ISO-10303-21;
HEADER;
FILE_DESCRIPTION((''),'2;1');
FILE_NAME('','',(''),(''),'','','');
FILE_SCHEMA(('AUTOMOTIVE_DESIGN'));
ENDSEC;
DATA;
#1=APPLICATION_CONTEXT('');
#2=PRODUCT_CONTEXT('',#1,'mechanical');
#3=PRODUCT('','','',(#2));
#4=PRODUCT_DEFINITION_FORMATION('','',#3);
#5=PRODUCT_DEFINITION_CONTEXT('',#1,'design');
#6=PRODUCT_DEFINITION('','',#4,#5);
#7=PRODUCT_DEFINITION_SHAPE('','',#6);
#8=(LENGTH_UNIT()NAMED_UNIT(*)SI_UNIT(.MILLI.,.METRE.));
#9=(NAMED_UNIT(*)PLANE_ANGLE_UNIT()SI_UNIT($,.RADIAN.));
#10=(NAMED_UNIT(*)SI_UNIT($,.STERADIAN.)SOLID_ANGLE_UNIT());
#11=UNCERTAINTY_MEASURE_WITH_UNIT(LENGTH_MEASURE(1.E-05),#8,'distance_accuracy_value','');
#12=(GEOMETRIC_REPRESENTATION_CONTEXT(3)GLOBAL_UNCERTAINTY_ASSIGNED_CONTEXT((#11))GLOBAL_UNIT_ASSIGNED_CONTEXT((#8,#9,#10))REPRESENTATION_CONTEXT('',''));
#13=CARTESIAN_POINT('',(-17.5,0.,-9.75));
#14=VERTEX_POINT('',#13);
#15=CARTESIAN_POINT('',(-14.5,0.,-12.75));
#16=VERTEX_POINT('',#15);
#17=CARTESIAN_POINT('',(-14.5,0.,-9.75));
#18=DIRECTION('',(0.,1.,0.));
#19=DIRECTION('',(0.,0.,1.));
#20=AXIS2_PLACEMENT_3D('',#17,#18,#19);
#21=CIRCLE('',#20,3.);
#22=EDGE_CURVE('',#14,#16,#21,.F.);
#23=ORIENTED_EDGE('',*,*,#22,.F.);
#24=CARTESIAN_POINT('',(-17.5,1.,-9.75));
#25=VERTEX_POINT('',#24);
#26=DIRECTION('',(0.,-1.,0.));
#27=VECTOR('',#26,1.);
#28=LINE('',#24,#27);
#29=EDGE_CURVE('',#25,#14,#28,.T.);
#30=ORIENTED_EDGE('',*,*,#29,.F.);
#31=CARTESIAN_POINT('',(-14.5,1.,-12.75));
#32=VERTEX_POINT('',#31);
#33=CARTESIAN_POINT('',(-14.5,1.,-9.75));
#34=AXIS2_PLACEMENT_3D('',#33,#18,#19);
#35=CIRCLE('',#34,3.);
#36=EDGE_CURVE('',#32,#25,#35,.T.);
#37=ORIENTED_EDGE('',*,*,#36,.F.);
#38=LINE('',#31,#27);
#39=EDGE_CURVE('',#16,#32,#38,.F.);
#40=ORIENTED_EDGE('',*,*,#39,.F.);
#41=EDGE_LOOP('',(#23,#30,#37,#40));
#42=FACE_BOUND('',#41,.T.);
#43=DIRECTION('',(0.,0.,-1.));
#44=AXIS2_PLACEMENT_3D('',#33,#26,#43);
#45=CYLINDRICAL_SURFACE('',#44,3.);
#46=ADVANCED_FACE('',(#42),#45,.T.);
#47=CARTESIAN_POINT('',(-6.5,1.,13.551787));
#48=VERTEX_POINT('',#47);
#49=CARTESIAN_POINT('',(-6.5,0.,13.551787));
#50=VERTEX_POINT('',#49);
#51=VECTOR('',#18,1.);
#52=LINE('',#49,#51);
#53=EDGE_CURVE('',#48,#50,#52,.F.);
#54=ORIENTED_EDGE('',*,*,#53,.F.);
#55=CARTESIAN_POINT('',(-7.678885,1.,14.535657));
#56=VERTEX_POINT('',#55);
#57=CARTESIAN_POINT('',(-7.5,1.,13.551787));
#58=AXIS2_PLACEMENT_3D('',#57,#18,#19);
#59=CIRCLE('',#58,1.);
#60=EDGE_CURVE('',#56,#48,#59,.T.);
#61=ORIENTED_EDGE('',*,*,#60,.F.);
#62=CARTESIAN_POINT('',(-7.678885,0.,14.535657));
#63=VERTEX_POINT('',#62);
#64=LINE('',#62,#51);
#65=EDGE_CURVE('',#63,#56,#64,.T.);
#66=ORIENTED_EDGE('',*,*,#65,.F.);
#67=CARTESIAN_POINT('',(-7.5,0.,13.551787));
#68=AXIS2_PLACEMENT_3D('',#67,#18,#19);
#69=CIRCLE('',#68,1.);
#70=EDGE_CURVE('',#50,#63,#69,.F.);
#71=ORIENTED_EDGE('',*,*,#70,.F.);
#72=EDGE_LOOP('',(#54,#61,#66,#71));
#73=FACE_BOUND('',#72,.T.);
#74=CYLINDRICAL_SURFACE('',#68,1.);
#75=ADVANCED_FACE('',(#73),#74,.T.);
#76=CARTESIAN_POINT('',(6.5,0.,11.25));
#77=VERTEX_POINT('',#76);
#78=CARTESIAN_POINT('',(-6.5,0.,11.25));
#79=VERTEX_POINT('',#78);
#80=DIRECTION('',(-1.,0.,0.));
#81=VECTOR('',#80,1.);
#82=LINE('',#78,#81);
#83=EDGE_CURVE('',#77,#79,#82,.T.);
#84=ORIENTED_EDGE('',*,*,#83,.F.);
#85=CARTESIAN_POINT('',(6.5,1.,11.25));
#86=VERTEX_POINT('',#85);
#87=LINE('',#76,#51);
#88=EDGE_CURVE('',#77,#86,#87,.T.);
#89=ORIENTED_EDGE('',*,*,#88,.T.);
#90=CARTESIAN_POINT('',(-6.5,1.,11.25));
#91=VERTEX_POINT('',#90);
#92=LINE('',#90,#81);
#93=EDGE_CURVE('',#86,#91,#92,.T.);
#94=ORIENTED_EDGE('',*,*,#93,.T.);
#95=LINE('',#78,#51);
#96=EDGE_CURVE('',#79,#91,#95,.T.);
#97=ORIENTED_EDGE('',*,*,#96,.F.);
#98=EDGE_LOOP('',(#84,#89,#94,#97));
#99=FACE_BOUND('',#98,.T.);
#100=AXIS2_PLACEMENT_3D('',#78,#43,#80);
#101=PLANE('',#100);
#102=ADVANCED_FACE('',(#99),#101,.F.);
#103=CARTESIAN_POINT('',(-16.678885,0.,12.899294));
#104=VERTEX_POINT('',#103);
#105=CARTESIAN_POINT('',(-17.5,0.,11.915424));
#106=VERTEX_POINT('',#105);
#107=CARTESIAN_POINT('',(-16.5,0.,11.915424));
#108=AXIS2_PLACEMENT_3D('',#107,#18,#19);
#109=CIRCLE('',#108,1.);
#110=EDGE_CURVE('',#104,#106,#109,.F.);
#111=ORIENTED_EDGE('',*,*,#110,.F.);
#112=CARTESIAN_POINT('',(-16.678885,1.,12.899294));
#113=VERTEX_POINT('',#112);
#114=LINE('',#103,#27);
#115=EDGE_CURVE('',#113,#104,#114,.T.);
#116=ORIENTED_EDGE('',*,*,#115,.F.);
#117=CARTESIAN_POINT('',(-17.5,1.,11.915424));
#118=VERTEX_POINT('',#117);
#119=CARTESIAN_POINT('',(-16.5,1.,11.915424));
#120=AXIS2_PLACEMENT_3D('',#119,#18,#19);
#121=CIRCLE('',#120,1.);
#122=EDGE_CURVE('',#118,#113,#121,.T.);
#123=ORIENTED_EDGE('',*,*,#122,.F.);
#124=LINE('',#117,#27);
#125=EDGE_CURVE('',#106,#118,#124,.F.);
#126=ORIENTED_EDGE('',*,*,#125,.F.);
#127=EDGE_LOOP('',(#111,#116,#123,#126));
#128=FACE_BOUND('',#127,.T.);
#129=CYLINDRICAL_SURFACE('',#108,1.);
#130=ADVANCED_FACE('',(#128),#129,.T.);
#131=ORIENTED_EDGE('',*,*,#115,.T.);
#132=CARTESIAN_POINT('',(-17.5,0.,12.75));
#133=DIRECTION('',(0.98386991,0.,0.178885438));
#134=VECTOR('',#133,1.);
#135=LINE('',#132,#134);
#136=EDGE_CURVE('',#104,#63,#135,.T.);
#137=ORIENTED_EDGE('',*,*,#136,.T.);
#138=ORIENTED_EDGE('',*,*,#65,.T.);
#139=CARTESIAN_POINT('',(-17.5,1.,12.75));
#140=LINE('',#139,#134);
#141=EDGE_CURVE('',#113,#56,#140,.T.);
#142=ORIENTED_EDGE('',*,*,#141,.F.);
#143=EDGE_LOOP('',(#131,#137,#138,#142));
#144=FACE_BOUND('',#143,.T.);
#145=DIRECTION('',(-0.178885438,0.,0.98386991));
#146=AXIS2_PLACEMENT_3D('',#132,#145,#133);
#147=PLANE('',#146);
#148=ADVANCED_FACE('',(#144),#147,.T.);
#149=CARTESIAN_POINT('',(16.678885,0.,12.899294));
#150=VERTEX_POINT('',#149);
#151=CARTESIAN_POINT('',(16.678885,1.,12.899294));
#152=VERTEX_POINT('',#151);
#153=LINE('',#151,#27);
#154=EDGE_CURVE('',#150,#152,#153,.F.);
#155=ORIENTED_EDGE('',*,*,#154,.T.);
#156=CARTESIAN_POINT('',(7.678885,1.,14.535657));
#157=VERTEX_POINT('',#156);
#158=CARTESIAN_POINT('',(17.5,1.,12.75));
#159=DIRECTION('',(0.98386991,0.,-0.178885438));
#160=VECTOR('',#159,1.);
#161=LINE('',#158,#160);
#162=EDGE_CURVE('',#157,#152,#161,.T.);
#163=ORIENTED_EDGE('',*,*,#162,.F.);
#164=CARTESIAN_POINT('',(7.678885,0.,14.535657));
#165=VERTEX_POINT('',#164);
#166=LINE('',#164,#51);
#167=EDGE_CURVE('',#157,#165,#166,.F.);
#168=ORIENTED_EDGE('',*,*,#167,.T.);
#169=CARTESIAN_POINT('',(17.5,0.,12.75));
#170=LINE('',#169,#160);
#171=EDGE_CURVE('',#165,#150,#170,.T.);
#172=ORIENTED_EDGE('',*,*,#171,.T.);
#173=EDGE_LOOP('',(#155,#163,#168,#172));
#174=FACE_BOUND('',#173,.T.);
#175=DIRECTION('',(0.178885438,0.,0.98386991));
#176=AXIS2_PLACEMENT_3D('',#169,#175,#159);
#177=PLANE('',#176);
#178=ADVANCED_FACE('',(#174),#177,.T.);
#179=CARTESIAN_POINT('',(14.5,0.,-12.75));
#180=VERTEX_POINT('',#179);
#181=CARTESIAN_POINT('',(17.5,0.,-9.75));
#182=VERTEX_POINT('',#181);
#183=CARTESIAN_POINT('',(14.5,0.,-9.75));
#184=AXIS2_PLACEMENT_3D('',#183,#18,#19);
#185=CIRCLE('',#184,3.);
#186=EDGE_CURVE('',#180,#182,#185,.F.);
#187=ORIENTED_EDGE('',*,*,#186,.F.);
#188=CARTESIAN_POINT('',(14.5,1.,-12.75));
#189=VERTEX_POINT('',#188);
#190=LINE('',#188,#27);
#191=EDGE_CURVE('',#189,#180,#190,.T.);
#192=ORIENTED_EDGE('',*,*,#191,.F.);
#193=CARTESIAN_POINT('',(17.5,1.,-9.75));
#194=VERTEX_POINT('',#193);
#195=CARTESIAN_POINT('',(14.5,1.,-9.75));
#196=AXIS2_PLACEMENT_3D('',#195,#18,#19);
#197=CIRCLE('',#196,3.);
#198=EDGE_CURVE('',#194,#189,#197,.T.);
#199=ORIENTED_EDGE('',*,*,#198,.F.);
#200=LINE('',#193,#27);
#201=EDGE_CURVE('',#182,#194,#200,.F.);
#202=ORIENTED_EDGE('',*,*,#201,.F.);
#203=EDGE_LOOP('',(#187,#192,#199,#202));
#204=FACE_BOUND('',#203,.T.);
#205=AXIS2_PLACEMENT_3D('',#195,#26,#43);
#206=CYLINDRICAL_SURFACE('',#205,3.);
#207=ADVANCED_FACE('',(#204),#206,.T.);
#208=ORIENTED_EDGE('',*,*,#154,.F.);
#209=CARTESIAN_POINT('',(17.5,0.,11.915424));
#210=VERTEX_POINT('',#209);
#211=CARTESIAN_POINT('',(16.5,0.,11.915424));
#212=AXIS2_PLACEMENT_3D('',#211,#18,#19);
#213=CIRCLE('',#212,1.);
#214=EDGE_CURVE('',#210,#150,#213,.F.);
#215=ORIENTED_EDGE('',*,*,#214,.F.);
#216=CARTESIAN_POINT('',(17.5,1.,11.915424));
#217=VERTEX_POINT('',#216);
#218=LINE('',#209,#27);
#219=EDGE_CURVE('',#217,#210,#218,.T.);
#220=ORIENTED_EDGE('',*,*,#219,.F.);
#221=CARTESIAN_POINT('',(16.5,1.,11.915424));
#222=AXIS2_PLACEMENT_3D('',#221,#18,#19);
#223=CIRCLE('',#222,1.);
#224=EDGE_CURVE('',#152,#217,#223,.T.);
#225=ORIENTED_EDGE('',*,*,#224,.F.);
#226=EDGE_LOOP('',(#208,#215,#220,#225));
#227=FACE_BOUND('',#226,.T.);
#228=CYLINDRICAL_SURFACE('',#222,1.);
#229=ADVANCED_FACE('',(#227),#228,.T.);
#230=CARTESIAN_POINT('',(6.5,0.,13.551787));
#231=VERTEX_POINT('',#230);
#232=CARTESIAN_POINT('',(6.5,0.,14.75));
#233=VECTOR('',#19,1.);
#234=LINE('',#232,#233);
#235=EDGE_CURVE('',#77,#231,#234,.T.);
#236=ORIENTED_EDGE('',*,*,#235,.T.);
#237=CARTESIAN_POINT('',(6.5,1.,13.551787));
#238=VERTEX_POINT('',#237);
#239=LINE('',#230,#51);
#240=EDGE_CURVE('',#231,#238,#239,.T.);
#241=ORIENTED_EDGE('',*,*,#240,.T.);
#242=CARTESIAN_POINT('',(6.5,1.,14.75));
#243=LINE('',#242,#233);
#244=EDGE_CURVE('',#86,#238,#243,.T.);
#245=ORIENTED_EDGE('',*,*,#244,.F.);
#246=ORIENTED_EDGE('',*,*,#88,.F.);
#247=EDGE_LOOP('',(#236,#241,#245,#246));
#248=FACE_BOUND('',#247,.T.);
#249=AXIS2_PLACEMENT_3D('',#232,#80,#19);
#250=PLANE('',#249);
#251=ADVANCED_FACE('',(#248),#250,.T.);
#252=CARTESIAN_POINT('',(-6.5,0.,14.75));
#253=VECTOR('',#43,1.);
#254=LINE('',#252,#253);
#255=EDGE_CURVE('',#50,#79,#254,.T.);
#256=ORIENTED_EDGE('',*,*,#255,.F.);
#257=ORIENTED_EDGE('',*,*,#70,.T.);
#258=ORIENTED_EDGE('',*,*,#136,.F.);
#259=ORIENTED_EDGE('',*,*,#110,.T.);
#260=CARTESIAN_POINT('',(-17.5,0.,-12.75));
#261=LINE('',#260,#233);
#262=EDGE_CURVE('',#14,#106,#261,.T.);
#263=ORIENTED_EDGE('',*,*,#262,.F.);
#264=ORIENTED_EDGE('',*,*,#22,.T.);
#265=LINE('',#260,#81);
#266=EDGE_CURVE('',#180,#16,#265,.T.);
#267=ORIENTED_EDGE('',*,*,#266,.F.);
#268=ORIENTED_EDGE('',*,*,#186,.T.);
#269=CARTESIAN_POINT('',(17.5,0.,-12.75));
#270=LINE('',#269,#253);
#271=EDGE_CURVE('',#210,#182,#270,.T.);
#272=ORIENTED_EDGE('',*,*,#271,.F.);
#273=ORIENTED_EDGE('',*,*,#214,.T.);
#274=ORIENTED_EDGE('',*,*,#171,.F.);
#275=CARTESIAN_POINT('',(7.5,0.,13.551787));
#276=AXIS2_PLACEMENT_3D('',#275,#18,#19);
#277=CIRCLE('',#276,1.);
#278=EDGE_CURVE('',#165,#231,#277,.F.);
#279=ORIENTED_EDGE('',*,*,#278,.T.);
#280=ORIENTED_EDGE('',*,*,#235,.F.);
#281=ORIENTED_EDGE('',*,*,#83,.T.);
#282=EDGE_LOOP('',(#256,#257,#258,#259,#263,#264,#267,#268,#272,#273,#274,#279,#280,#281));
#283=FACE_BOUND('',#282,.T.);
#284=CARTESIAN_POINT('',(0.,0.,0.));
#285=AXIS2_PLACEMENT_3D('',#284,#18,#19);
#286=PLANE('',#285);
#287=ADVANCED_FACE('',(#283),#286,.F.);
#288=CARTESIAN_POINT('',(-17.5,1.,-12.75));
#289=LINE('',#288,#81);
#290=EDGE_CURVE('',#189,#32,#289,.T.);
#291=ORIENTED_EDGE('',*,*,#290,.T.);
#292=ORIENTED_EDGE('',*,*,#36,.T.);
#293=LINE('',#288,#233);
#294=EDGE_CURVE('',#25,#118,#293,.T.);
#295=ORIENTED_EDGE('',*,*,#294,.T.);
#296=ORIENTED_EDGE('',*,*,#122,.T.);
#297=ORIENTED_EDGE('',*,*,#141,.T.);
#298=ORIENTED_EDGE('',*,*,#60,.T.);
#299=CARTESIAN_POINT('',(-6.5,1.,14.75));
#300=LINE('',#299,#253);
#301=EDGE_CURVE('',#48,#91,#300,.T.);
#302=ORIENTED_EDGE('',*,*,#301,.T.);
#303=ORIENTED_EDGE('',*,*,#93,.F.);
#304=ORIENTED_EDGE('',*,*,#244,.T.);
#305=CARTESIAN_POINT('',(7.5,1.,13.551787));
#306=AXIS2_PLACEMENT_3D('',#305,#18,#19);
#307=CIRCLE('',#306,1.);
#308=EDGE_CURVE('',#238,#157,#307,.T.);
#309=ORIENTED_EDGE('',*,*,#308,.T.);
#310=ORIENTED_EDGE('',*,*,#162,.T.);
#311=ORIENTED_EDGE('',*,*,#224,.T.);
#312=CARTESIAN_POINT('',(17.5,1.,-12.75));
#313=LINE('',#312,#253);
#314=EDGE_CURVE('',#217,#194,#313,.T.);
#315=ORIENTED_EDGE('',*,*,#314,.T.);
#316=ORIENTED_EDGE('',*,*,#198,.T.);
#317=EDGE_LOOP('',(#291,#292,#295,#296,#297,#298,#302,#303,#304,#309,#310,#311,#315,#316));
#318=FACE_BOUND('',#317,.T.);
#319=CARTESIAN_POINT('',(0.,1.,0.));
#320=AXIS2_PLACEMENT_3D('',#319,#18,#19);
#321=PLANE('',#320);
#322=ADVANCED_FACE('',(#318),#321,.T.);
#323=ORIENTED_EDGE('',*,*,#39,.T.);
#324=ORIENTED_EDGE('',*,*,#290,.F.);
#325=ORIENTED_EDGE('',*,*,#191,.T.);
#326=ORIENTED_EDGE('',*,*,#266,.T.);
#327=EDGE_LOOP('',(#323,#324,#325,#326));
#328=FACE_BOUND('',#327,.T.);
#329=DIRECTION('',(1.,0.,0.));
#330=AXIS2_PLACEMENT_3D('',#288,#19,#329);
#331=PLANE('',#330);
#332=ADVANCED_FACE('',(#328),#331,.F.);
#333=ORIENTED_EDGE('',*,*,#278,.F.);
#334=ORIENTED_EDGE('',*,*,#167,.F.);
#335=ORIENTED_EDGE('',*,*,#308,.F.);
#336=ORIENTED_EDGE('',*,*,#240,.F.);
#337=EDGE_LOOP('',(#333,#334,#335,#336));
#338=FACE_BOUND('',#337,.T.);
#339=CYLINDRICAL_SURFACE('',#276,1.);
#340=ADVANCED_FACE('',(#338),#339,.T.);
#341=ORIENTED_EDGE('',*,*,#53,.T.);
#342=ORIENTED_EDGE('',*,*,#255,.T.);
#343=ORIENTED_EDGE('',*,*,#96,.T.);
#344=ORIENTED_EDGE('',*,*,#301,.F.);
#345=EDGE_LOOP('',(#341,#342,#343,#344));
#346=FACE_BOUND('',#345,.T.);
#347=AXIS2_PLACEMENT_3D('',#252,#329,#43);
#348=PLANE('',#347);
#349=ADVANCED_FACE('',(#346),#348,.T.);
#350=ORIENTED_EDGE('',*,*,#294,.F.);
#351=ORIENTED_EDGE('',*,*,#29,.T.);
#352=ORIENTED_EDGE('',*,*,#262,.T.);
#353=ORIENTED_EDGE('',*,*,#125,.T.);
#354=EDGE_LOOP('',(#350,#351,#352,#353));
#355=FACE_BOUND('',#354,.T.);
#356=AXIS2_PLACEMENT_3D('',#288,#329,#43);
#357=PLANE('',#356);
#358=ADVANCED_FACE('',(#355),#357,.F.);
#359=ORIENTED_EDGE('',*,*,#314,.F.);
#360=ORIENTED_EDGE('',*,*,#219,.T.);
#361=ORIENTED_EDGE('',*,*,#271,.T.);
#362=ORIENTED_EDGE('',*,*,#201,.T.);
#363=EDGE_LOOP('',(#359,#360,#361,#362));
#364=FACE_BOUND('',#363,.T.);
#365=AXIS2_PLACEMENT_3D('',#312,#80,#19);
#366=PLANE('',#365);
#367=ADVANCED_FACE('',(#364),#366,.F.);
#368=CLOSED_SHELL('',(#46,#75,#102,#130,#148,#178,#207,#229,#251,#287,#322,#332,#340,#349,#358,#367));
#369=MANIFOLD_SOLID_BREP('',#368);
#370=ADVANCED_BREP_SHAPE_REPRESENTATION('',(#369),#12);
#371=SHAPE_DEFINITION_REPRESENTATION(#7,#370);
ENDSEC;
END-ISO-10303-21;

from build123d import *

# Parameters (mm, degrees)
SKETCH_1_W          = 35
SKETCH_1_H          = 25.5
EXTRUDE_1_DEPTH     = 1
EXTRUDE_2_DEPTH     = 1
SKETCH_3_W          = 13
SKETCH_3_H          = 1.5
CUT_EXTRUDE_1_DEPTH = 23.908786524
FILLET_1_R          = 3
FILLET_2_R          = 1


with BuildPart() as part:
    # 草图1 → 凸台-拉伸1 (new body)
    with BuildSketch(Plane(origin=(0, 0, 0), x_dir=(1, 0, 0), z_dir=(0, 1, 0))):
        Rectangle(SKETCH_1_W, SKETCH_1_H)
    extrude(amount=EXTRUDE_1_DEPTH)

    # 草图2 → 凸台-拉伸2 (add)
    with BuildSketch(Plane(origin=(0, 1, 0), x_dir=(1, 0, 0), z_dir=(0, 1, 0))):
        Polygon((-17.5, -12.75), (-6.5, -14.75), (-6.5, -12.75), align=None)
        Polygon((17.5, -12.75), (6.5, -12.75), (6.5, -14.75), align=None)
    extrude(amount=-EXTRUDE_2_DEPTH)

    # 草图3 → 切除-拉伸1 (cut, through all)
    with BuildSketch(Plane(origin=(0, 1, 0), x_dir=(1, 0, 0), z_dir=(0, 1, 0))):
        with Locations((0, -12)):
            Rectangle(SKETCH_3_W, SKETCH_3_H)
    extrude(amount=-CUT_EXTRUDE_1_DEPTH, mode=Mode.SUBTRACT)

    # 圆角1
    fillet_1_edges = [part.edges().sort_by_distance(p)[0] for p in [
        (-17.5, 0.5, -12.75),
        (17.5, 0.5, -12.75),
    ]]
    fillet(fillet_1_edges, radius=FILLET_1_R)

    # 圆角2
    fillet_2_edges = [part.edges().sort_by_distance(p)[0] for p in [
        (-6.5, 0.5, 14.75),
        (6.5, 0.5, 14.75),
        (17.5, 0.5, 12.75),
        (-17.5, 0.5, 12.75),
    ]]
    fillet(fillet_2_edges, radius=FILLET_2_R)


solid = part.part
